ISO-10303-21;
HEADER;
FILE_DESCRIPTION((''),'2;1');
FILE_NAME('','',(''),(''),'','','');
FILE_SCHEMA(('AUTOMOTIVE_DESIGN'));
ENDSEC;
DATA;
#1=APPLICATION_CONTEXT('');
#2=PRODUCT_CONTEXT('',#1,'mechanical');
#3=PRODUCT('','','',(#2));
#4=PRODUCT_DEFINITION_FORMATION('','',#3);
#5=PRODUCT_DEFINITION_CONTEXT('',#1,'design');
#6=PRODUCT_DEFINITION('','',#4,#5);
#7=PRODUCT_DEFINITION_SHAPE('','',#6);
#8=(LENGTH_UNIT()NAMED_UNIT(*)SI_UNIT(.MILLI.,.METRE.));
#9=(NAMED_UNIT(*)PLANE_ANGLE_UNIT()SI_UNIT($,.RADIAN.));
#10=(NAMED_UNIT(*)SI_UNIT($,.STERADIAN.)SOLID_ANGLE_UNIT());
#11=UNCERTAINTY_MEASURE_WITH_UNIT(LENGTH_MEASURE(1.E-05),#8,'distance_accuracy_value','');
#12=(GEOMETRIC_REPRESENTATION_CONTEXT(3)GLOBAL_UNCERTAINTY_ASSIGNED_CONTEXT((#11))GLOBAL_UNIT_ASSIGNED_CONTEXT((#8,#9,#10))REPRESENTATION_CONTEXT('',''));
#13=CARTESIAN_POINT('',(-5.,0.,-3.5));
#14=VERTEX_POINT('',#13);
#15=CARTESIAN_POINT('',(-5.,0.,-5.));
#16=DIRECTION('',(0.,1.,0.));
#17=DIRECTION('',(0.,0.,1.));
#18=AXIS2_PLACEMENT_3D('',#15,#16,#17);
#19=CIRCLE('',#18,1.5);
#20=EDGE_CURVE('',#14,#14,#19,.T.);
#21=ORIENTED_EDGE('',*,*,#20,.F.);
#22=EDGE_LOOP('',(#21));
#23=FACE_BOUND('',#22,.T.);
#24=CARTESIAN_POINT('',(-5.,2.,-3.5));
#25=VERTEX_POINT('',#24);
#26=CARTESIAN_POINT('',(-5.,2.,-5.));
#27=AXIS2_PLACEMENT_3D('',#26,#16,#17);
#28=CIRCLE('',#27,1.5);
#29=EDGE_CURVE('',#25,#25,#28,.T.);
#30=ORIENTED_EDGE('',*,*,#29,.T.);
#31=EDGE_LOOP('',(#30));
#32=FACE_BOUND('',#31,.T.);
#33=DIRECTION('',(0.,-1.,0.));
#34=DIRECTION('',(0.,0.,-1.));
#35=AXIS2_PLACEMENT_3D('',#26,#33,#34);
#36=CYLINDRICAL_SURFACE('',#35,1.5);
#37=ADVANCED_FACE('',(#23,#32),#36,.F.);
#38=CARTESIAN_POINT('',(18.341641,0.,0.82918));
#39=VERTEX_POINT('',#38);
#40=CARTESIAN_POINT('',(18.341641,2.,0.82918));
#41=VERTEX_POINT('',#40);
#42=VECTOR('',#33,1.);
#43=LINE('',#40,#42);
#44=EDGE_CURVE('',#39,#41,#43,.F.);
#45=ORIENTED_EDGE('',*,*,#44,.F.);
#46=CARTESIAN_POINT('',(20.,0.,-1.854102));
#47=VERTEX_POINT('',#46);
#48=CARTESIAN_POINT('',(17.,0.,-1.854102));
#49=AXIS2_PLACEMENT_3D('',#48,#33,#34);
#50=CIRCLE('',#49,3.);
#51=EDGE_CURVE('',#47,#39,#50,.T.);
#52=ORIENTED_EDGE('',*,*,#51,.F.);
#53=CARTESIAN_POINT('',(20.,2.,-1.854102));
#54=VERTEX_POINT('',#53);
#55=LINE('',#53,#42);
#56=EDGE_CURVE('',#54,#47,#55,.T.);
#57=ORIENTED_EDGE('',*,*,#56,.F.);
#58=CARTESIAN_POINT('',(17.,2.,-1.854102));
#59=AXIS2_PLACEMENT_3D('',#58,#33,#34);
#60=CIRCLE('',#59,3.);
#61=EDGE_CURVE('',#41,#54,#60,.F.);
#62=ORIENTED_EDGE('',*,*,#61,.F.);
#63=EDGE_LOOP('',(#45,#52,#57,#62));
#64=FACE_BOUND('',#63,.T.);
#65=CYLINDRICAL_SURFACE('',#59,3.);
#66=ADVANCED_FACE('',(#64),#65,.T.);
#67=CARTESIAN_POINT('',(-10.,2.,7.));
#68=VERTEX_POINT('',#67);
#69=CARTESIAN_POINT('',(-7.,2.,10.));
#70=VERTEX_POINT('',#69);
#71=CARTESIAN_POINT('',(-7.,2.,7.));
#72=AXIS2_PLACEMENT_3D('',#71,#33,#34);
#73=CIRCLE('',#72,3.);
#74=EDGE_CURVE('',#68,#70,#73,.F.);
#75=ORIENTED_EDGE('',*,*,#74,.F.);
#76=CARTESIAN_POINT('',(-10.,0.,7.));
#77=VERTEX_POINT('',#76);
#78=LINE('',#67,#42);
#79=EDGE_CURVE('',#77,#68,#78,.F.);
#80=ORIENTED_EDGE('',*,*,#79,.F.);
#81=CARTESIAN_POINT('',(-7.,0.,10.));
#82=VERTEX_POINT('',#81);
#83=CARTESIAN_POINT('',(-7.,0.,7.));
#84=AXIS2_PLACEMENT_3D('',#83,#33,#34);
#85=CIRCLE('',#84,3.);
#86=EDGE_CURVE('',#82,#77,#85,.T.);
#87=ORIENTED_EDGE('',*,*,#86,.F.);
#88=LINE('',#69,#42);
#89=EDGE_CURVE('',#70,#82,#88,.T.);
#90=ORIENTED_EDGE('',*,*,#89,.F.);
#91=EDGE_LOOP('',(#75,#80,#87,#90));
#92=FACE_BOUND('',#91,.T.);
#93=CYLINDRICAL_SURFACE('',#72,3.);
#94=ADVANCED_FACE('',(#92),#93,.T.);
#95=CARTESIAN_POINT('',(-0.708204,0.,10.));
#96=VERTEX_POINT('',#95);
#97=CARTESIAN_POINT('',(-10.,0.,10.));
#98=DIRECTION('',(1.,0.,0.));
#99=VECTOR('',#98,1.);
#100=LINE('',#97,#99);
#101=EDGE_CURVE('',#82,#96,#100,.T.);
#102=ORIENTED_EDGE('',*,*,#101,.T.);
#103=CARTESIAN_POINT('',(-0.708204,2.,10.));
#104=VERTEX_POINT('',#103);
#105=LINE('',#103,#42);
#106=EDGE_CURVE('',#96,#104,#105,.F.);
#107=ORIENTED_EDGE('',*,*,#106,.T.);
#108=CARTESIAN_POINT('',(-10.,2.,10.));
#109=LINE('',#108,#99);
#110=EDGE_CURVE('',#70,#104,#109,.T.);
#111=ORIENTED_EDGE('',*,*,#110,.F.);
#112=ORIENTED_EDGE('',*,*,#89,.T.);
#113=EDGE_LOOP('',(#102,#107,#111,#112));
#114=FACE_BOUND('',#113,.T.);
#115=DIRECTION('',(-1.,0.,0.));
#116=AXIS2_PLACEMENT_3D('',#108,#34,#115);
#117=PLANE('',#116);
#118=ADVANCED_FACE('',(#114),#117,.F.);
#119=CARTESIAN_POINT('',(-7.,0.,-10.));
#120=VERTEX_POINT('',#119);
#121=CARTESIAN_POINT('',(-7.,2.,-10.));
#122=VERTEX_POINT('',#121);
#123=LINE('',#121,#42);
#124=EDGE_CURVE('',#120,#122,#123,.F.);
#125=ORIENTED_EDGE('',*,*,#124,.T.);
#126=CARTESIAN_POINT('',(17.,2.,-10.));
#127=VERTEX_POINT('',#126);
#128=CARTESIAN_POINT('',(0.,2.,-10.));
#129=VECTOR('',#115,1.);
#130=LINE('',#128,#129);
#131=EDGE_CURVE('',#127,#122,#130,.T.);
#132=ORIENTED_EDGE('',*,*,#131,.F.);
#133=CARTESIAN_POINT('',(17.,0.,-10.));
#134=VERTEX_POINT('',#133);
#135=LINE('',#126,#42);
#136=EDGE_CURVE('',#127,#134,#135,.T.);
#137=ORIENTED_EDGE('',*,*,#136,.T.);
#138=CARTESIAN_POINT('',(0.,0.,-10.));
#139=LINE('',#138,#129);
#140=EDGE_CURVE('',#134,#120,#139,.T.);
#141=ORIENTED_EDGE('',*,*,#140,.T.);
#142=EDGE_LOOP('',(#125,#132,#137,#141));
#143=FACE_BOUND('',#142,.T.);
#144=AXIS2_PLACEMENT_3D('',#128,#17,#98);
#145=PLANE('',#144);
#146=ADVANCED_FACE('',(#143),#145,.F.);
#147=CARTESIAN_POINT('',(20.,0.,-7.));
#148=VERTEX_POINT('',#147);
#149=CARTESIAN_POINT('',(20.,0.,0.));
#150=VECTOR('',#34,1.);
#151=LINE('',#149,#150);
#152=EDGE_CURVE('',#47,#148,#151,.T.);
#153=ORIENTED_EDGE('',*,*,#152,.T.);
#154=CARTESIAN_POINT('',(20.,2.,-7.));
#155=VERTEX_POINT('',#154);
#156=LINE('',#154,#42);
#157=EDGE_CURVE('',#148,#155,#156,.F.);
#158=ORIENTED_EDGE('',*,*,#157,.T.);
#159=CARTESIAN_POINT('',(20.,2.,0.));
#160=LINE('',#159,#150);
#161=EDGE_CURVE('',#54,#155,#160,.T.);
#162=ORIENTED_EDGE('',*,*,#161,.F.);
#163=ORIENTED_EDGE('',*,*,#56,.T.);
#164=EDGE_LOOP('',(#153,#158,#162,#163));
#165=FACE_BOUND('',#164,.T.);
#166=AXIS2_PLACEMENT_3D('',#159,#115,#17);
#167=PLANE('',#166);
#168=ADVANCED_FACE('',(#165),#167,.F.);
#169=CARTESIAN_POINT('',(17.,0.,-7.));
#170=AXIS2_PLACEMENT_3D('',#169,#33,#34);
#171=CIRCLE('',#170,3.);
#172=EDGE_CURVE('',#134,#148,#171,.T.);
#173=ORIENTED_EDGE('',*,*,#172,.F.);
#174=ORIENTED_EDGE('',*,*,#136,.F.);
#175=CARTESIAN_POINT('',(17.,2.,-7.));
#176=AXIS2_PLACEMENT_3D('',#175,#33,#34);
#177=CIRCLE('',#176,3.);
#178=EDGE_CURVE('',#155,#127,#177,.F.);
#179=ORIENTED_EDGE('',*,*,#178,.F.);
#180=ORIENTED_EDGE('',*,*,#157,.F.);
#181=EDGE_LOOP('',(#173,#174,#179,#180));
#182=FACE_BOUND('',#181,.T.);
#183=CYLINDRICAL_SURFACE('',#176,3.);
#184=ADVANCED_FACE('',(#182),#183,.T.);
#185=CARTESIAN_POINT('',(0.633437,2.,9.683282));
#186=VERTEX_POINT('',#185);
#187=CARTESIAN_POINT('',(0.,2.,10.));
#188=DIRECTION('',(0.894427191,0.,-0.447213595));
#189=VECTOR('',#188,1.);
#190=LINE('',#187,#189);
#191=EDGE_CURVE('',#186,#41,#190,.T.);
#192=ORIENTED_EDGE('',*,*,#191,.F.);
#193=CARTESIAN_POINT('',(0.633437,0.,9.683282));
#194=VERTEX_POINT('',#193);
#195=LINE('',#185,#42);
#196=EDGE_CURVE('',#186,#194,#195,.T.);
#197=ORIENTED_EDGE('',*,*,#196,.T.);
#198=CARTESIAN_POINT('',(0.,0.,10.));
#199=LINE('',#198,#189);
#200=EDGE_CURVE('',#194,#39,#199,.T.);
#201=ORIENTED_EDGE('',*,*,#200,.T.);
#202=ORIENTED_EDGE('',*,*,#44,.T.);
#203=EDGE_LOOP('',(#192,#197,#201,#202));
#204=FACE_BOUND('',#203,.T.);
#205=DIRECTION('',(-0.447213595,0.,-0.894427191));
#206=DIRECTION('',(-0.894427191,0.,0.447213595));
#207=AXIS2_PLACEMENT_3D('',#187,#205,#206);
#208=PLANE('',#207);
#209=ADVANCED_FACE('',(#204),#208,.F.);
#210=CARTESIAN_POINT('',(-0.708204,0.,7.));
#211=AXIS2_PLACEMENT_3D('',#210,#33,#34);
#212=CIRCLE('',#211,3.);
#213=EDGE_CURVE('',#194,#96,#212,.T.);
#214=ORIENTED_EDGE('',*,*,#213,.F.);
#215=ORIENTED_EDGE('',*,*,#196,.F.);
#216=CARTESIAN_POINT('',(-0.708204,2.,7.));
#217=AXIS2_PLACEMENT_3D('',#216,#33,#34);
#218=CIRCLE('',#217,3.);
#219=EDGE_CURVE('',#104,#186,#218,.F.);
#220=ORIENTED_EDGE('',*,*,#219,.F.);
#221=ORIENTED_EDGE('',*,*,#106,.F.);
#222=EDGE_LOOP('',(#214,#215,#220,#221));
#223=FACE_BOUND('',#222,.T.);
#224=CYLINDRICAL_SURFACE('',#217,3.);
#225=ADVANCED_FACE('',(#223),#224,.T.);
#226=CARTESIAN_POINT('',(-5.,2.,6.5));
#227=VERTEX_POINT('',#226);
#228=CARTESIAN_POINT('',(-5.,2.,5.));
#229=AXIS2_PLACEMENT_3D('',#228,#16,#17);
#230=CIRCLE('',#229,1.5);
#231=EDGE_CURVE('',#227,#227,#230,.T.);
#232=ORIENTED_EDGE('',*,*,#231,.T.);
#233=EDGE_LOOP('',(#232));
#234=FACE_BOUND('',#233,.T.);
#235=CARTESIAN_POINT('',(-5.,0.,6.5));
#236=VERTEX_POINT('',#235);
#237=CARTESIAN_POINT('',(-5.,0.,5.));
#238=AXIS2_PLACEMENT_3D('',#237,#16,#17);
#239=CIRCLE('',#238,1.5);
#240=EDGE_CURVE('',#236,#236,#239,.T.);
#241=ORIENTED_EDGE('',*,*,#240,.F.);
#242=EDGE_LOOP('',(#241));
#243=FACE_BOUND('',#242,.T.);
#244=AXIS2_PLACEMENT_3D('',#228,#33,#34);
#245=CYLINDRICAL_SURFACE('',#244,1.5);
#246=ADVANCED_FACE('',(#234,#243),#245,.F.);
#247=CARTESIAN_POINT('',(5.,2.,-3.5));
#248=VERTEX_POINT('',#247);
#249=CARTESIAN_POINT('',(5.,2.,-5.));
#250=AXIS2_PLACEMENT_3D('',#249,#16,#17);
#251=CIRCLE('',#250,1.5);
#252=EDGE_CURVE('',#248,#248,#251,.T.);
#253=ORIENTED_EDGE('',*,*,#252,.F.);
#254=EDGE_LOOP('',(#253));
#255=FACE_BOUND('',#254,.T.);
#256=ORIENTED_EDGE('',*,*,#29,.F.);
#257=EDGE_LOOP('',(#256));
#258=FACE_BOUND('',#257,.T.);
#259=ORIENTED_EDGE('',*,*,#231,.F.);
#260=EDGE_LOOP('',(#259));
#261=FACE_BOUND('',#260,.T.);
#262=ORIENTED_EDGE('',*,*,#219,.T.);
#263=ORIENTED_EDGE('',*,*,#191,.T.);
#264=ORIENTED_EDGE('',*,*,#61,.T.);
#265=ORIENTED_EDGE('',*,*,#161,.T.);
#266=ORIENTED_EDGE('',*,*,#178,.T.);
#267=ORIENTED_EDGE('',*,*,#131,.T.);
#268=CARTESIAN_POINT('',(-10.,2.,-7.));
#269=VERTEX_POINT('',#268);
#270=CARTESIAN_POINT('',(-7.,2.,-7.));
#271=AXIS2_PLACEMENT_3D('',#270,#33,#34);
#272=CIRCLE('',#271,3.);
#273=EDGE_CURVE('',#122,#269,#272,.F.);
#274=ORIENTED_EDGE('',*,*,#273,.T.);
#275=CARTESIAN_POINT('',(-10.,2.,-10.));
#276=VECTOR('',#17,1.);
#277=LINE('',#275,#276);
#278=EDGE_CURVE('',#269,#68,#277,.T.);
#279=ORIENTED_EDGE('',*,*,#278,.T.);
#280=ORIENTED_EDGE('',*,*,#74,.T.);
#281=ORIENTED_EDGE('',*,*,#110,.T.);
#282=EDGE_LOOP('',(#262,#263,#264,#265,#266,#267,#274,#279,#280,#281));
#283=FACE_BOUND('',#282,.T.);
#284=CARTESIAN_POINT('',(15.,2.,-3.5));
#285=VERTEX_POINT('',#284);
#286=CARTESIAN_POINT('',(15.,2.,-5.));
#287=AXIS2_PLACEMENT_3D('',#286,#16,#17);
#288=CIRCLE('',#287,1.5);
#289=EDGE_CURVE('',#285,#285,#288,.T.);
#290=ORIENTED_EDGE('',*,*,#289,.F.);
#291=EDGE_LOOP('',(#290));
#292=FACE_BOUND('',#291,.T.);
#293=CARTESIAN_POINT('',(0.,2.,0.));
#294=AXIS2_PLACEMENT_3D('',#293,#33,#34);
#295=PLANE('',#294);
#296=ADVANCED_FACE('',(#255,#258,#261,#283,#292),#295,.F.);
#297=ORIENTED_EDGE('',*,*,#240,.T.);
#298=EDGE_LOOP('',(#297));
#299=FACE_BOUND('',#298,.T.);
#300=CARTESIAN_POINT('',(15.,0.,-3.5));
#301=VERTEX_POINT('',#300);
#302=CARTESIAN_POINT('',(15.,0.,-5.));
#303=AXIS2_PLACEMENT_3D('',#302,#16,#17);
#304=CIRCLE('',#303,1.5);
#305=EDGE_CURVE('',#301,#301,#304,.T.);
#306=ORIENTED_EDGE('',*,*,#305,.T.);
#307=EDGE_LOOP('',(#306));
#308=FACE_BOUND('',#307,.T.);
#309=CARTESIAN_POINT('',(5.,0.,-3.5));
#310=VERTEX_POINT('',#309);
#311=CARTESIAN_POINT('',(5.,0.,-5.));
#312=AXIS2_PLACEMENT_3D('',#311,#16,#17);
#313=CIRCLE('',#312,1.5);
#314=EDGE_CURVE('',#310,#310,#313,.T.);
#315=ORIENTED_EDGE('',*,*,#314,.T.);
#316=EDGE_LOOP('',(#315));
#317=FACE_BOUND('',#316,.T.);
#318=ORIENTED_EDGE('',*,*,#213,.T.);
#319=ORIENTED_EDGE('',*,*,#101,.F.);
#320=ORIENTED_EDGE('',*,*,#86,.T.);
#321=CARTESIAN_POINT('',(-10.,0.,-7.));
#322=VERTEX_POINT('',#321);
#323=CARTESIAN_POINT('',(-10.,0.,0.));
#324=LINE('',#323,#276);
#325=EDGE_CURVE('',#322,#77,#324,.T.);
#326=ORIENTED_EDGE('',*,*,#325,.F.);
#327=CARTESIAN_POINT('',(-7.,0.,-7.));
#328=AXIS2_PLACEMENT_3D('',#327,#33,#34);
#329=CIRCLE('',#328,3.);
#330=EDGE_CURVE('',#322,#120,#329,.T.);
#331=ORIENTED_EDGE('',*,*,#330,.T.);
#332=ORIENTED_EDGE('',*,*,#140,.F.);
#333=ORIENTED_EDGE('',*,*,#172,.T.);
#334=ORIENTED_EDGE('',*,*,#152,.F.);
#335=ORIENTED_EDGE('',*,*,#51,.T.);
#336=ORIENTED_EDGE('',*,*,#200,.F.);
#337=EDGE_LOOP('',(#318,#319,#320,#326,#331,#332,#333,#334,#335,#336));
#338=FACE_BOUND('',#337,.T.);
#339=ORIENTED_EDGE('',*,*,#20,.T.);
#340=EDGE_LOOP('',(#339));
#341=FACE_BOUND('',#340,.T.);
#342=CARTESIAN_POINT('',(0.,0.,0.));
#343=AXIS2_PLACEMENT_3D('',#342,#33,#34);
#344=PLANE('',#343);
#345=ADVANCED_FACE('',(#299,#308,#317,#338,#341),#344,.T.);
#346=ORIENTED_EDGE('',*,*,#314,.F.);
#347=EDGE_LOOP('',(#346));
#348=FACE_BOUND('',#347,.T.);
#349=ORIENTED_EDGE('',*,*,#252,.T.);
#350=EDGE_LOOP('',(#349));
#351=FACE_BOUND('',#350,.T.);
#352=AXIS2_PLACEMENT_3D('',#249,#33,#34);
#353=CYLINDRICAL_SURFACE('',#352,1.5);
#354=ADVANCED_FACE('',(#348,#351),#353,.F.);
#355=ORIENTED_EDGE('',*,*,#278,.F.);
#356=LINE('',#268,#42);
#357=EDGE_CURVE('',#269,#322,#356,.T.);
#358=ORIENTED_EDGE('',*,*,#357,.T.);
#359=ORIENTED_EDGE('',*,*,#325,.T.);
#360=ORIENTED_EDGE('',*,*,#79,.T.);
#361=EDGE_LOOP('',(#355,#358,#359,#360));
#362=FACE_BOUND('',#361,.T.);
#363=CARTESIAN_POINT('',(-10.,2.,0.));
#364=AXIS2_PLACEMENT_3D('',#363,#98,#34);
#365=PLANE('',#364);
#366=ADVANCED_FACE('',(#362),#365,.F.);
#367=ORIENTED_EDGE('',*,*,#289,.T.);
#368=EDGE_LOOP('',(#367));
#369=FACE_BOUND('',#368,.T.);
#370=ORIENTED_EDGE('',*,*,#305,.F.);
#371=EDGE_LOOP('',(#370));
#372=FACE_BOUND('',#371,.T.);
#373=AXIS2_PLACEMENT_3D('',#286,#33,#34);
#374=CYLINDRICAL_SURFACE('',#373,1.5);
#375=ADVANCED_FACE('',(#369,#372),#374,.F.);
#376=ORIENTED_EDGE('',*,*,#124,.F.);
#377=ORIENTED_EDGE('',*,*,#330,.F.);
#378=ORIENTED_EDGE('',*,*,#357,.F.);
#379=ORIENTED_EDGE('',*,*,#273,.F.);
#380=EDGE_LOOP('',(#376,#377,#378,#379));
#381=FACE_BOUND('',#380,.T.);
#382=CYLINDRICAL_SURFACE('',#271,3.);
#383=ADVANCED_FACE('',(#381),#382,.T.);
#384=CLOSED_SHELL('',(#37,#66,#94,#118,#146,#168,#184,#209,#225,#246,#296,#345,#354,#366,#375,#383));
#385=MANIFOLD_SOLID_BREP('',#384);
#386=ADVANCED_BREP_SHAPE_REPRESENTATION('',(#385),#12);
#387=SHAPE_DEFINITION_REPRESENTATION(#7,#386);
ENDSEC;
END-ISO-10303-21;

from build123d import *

# Parameters (mm, degrees)
SKETCH_1_R      = 1.5
EXTRUDE_1_DEPTH = 2
FILLET_1_R      = 3


with BuildPart() as part:
    # 草图1 → 凸台-拉伸1 (new body)
    with BuildSketch(Plane(origin=(0, 0, 0), x_dir=(1, 0, 0), z_dir=(0, 1, 0))):
        Polygon((0, 10), (-10, 10), (-10, 0), (-10, -10), (0, -10), (20, 0), (20, 10), align=None)
        with Locations(Location((5, 5, 0), (0, 0, 270))):
            Circle(SKETCH_1_R, mode=Mode.SUBTRACT)
        with Locations(Location((15, 5, 0), (0, 0, 270))):
            Circle(SKETCH_1_R, mode=Mode.SUBTRACT)
        with Locations(Location((-5, 5, 0), (0, 0, 270))):
            Circle(SKETCH_1_R, mode=Mode.SUBTRACT)
        with Locations(Location((-5, -5, 0), (0, 0, 270))):
            Circle(SKETCH_1_R, mode=Mode.SUBTRACT)
    extrude(amount=EXTRUDE_1_DEPTH)

    # 圆角1
    fillet_1_edges = [part.edges().sort_by_distance(p)[0] for p in [
        (20, 1, 0),
        (0, 1, 10),
        (-10, 1, 10),
        (-10, 1, -10),
        (20, 1, -10),
    ]]
    fillet(fillet_1_edges, radius=FILLET_1_R)


solid = part.part
